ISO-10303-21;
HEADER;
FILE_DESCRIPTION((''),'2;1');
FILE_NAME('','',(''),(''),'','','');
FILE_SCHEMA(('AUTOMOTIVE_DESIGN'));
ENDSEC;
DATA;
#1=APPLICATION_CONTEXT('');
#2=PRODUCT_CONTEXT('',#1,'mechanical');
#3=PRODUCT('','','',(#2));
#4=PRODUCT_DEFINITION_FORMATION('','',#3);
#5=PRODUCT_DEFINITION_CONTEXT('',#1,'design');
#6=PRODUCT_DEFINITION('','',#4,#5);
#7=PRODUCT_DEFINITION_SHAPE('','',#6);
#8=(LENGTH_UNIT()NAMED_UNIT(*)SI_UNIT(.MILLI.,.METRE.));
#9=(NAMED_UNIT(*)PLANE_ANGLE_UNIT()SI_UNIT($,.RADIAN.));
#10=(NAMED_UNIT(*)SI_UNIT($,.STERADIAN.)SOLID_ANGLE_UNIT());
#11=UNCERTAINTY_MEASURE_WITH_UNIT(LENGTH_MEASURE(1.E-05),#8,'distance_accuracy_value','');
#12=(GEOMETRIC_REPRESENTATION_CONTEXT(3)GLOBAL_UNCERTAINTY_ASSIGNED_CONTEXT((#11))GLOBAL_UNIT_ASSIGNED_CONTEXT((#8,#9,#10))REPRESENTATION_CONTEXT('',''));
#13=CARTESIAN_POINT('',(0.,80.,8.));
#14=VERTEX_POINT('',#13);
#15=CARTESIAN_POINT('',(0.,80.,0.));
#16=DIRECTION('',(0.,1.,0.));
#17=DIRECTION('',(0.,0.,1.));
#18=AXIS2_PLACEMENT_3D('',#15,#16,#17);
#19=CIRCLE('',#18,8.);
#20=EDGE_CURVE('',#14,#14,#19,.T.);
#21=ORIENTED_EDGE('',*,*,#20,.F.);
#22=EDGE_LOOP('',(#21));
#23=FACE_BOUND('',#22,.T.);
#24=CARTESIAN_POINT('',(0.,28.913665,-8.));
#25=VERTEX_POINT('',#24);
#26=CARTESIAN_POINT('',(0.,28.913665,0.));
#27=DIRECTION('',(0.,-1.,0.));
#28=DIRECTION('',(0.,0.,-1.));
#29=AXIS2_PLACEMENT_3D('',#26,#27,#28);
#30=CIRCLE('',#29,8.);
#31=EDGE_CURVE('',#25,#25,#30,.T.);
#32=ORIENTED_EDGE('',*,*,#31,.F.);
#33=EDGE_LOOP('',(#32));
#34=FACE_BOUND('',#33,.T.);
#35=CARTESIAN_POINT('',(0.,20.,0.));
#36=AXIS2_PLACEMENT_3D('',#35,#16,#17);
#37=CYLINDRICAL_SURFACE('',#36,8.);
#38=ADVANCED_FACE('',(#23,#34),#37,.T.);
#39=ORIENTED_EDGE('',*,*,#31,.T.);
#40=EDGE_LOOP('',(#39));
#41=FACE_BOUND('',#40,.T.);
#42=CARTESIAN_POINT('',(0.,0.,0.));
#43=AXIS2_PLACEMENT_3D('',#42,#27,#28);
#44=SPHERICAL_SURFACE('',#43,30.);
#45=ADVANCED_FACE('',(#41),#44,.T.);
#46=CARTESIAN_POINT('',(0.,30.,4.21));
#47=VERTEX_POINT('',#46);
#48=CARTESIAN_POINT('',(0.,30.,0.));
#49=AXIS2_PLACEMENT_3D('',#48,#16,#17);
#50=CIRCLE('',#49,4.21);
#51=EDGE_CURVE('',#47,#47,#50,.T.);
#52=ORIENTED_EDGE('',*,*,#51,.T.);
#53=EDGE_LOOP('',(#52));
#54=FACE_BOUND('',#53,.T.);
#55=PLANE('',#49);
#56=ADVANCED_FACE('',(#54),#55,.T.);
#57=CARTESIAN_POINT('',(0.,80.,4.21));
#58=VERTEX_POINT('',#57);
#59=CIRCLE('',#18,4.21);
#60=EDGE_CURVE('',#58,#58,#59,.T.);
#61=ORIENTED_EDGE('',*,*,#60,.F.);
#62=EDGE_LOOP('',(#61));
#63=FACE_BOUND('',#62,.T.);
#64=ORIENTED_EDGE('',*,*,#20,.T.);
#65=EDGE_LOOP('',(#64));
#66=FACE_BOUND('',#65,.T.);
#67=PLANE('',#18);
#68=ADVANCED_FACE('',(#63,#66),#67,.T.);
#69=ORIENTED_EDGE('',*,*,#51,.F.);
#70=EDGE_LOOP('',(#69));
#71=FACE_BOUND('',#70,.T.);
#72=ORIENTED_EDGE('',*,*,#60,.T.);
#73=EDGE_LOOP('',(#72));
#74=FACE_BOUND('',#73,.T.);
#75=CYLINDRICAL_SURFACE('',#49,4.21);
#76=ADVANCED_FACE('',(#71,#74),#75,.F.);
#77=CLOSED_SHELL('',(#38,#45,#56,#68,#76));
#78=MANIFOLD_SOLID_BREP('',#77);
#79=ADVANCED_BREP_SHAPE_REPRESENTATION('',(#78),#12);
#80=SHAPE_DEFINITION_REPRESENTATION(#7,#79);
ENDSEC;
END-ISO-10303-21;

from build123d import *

# Parameters (mm, degrees)
BOSS_EXTRUDE1_DEPTH      = 50
BOSS_EXTRUDE1_DEPTH_BACK = 10
SKETCH2_R                = 8
SKETCH4_R                = 4.21
CUT_EXTRUDE3_DEPTH       = 50


with BuildPart() as part:
    # Sketch1 → Revolve1 (revolve)
    with BuildSketch(Plane(origin=(0, 0, 0), x_dir=(1, 0, 0), z_dir=(0, 1, 0))):
        with BuildLine():
            Line((0, 30), (0, -30))
            ThreePointArc((0, -30), (30, 0), (0, 30))
        make_face()
    revolve(axis=Axis((0, 0, -30), (0, 0, 1)))

    # Sketch2 → Boss-Extrude1 (add, two sides: drawn at the far end of the back side and taken through both)
    with BuildSketch(Plane(origin=(0, 30, 0), x_dir=(1, 0, 0), z_dir=(0, 1, 0)).offset(-BOSS_EXTRUDE1_DEPTH_BACK)):
        with Locations(Location((0, 0, 0), (0, 0, 270))):
            Circle(SKETCH2_R)
    extrude(amount=BOSS_EXTRUDE1_DEPTH + BOSS_EXTRUDE1_DEPTH_BACK)

    # Sketch4 → Cut-Extrude3 (cut)
    with BuildSketch(Plane(origin=(0, 80, 0), x_dir=(1, 0, 0), z_dir=(0, 1, 0))):
        with Locations(Location((0, 0, 0), (0, 0, 270))):
            Circle(SKETCH4_R)
    extrude(amount=-CUT_EXTRUDE3_DEPTH, mode=Mode.SUBTRACT)


solid = part.part
